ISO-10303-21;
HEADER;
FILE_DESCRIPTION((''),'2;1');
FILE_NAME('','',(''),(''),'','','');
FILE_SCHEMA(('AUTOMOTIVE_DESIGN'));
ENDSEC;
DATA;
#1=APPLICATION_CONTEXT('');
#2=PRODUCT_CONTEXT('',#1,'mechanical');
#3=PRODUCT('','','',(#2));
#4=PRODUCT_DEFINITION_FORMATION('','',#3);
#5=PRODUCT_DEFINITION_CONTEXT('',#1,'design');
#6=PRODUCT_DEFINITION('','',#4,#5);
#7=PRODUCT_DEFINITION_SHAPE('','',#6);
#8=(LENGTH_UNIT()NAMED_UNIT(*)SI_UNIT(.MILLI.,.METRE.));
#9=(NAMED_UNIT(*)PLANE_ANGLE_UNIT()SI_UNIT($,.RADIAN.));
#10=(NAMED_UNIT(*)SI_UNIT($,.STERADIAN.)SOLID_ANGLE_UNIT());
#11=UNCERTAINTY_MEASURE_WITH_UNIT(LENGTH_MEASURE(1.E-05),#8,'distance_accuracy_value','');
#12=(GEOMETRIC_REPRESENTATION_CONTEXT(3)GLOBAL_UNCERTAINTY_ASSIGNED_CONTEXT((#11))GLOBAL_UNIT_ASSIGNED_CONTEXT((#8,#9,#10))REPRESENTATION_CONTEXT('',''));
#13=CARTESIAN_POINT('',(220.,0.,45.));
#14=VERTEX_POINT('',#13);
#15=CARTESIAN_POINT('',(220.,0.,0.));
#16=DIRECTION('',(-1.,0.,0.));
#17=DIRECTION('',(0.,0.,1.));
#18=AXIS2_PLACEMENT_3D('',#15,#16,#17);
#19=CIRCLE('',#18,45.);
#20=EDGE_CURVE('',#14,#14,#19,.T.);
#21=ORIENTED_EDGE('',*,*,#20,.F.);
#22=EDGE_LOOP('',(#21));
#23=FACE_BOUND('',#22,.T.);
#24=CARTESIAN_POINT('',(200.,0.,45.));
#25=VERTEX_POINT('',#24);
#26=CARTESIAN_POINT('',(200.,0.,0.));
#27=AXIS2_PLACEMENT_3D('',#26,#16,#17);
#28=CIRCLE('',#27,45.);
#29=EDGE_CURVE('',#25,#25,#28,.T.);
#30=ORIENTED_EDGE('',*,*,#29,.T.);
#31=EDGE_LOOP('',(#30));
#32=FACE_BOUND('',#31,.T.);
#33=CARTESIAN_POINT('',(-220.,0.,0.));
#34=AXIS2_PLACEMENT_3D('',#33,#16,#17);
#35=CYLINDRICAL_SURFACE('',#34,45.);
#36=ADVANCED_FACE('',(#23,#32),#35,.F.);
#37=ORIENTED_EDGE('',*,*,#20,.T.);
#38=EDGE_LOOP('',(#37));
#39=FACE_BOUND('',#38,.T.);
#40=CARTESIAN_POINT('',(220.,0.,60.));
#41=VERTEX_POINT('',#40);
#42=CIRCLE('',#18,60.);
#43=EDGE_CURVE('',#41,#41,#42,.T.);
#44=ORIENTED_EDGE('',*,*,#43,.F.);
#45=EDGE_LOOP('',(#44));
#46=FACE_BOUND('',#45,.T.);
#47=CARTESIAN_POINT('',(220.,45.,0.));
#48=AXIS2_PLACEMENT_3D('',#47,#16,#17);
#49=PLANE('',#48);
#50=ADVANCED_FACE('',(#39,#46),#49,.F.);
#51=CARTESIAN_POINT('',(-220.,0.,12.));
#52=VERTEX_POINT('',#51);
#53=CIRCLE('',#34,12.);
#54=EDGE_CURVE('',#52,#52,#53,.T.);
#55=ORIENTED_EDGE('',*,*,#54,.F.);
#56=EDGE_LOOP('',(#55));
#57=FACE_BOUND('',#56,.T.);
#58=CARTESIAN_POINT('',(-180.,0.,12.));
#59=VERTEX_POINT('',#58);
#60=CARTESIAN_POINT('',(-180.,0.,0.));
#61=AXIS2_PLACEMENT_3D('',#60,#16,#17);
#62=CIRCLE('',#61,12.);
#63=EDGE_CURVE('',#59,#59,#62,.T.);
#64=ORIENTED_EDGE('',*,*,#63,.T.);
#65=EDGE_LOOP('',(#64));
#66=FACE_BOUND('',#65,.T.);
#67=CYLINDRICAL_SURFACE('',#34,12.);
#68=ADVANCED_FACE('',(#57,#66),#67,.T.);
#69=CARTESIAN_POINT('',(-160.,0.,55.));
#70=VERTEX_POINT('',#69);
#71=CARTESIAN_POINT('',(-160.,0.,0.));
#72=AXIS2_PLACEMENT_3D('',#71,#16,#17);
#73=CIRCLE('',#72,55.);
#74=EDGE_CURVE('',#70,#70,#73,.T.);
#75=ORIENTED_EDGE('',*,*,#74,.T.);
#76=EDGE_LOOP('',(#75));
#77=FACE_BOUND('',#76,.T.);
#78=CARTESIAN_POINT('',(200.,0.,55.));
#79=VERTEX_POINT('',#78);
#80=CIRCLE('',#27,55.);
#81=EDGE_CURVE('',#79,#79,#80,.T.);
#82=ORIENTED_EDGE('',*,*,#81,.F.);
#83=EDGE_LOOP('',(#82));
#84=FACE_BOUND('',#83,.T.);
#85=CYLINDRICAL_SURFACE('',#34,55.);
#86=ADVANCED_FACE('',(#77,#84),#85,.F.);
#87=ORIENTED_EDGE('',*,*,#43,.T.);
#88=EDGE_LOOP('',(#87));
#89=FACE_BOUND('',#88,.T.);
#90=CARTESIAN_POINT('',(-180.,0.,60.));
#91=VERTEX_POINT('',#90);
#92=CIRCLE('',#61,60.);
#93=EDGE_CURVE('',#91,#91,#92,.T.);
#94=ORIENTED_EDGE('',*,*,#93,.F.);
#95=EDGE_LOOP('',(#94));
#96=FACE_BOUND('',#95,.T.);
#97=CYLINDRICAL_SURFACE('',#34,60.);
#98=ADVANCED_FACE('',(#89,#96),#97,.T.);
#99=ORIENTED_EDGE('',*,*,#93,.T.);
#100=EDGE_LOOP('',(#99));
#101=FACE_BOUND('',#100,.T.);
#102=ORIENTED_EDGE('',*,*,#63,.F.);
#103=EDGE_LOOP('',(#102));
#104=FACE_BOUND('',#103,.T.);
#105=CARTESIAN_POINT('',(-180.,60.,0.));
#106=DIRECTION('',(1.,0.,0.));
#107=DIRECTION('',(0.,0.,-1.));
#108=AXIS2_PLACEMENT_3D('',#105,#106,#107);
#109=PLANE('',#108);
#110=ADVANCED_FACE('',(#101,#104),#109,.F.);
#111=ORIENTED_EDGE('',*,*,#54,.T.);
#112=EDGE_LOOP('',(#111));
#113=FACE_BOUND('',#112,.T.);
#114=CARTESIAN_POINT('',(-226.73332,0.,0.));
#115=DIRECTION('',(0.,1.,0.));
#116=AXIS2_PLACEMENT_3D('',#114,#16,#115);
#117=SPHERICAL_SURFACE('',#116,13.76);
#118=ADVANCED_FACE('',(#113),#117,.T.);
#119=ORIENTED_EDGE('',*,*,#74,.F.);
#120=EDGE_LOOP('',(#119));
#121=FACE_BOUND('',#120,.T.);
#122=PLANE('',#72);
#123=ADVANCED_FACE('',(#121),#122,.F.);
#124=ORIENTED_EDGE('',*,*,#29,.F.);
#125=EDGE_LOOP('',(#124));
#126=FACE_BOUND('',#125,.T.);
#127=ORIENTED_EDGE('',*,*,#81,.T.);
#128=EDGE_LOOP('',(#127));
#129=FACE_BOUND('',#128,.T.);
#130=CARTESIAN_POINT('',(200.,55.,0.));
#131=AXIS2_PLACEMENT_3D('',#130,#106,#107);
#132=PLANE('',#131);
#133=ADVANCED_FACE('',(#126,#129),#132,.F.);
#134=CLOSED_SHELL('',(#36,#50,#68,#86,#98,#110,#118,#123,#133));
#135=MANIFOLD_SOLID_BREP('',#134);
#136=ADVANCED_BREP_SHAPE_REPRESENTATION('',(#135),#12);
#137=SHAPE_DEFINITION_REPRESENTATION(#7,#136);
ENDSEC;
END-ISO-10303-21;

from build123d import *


with BuildPart() as part:
    # Sketch1 → Revolve1 (revolve)
    with BuildSketch(Plane.XY):
        Polygon((220, 45), (220, 60), (-180, 60), (-180, 12), (-220, 12), (-220, 0), (-160, 0), (-160, 55), (200, 55), (200, 45), align=None)
    revolve(axis=Axis((-220, 0, 0), (1, 0, 0)))

    # Sketch2 → Ball (revolve)
    with BuildSketch(Plane.XY):
        with BuildLine():
            Line((-240.493320132, 0), (-212.973320132, 0))
            ThreePointArc((-212.973320132, 0), (-226.733320132, 13.76), (-240.493320132, 0))
        make_face()
    revolve(axis=Axis((-240.493320132, 0, 0), (1, 0, 0)))


solid = part.part
